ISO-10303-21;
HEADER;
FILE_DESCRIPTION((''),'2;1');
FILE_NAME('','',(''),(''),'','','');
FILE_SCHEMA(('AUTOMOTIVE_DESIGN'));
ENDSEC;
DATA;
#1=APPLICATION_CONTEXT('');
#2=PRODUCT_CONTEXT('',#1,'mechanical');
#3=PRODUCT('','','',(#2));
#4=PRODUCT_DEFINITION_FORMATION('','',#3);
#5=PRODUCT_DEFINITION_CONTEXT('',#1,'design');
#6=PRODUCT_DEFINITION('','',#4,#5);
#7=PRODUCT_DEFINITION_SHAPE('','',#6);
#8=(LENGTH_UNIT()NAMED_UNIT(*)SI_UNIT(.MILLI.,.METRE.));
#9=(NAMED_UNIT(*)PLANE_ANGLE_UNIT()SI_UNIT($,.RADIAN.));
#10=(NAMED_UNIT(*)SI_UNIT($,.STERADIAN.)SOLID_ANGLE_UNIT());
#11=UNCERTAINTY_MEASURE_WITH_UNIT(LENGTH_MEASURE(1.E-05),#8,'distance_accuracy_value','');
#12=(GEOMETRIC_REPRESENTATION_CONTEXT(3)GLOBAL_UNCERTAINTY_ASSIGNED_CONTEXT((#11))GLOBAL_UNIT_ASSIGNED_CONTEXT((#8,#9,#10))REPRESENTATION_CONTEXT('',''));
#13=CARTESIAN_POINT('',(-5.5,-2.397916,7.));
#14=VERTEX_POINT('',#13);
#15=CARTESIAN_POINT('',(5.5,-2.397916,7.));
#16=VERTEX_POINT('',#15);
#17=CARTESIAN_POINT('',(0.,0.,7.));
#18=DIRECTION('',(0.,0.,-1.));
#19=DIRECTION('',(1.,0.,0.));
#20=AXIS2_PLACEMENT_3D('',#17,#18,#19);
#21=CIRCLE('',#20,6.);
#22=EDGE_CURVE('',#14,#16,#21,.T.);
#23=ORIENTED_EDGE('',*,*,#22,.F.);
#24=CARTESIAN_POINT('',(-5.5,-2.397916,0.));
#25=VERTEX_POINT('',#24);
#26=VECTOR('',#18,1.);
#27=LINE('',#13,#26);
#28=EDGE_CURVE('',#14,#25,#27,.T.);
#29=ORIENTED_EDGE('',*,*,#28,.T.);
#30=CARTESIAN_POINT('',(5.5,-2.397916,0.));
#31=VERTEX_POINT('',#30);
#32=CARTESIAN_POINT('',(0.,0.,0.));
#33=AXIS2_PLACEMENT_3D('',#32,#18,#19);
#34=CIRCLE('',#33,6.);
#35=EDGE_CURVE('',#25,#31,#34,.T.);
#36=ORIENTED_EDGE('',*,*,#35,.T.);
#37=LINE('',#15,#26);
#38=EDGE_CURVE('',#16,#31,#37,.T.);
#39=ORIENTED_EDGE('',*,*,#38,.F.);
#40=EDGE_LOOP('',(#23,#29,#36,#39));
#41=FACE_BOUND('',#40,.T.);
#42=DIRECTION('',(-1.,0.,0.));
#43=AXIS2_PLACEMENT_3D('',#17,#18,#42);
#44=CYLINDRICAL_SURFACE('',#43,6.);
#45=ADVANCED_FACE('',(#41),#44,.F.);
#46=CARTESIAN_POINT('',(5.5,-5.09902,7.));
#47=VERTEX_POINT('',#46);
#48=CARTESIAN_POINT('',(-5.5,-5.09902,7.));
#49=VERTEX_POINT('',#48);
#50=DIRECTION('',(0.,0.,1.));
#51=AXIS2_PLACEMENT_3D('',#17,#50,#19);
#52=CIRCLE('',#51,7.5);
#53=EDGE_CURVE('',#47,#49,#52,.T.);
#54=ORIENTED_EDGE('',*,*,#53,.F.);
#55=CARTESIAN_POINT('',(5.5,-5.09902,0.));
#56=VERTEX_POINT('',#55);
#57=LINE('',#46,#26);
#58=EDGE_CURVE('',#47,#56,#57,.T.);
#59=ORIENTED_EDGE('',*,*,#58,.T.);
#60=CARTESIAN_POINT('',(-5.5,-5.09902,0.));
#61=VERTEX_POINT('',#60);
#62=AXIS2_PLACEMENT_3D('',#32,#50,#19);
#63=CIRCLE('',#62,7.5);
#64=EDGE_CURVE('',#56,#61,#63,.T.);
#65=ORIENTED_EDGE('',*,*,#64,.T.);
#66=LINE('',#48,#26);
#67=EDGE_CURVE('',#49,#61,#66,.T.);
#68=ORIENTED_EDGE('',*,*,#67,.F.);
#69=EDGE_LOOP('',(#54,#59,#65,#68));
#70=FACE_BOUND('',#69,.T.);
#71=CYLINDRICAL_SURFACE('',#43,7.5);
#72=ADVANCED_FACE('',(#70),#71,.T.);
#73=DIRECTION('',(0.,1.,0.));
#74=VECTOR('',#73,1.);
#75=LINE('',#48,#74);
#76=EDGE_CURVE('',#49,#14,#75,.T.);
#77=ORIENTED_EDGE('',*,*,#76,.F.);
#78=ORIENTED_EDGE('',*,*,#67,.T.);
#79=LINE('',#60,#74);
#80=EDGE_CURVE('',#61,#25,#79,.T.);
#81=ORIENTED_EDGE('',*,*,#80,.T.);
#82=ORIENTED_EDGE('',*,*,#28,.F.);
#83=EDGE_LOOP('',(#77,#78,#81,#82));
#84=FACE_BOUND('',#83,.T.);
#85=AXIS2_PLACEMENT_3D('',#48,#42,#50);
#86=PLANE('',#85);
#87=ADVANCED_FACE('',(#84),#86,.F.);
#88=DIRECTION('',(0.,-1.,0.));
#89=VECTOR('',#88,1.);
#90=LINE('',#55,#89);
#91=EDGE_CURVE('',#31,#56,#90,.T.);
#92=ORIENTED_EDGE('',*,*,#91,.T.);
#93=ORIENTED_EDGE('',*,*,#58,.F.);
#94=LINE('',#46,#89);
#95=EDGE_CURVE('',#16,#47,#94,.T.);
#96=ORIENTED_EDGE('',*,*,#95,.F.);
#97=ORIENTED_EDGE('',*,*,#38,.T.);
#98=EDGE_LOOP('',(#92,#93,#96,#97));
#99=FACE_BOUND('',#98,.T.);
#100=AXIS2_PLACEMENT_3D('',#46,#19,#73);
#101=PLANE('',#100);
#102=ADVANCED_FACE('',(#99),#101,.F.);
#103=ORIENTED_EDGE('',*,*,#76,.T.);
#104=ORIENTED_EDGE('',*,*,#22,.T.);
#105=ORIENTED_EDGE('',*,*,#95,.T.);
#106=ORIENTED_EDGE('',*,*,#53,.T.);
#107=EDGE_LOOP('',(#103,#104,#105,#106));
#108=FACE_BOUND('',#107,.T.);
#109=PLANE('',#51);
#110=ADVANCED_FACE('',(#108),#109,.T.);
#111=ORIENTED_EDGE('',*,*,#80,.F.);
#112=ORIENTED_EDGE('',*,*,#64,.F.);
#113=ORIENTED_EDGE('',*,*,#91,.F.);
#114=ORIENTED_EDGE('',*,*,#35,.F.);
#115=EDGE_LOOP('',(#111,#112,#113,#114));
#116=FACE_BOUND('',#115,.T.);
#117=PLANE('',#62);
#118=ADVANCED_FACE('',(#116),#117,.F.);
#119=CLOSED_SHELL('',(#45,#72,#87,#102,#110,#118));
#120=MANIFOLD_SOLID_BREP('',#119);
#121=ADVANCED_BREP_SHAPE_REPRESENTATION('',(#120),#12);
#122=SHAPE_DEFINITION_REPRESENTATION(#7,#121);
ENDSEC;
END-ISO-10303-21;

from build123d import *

# Parameters (mm, degrees)
EXTRUDE_1_DEPTH = 7


with BuildPart() as part:
    # ｽｹｯﾁ1 → ﾎﾞｽ - 押し出し1 (new body)
    with BuildSketch(Plane.XY):
        with BuildLine():
            Line((5.5, -5.099019514), (5.5, -2.397915762))
            ThreePointArc((5.5, -2.397915762), (0, 6), (-5.5, -2.397915762))
            Line((-5.5, -2.397915762), (-5.5, -5.099019514))
            ThreePointArc((-5.5, -5.099019514), (0, 7.5), (5.5, -5.099019514))
        make_face()
    extrude(amount=EXTRUDE_1_DEPTH)


solid = part.part
